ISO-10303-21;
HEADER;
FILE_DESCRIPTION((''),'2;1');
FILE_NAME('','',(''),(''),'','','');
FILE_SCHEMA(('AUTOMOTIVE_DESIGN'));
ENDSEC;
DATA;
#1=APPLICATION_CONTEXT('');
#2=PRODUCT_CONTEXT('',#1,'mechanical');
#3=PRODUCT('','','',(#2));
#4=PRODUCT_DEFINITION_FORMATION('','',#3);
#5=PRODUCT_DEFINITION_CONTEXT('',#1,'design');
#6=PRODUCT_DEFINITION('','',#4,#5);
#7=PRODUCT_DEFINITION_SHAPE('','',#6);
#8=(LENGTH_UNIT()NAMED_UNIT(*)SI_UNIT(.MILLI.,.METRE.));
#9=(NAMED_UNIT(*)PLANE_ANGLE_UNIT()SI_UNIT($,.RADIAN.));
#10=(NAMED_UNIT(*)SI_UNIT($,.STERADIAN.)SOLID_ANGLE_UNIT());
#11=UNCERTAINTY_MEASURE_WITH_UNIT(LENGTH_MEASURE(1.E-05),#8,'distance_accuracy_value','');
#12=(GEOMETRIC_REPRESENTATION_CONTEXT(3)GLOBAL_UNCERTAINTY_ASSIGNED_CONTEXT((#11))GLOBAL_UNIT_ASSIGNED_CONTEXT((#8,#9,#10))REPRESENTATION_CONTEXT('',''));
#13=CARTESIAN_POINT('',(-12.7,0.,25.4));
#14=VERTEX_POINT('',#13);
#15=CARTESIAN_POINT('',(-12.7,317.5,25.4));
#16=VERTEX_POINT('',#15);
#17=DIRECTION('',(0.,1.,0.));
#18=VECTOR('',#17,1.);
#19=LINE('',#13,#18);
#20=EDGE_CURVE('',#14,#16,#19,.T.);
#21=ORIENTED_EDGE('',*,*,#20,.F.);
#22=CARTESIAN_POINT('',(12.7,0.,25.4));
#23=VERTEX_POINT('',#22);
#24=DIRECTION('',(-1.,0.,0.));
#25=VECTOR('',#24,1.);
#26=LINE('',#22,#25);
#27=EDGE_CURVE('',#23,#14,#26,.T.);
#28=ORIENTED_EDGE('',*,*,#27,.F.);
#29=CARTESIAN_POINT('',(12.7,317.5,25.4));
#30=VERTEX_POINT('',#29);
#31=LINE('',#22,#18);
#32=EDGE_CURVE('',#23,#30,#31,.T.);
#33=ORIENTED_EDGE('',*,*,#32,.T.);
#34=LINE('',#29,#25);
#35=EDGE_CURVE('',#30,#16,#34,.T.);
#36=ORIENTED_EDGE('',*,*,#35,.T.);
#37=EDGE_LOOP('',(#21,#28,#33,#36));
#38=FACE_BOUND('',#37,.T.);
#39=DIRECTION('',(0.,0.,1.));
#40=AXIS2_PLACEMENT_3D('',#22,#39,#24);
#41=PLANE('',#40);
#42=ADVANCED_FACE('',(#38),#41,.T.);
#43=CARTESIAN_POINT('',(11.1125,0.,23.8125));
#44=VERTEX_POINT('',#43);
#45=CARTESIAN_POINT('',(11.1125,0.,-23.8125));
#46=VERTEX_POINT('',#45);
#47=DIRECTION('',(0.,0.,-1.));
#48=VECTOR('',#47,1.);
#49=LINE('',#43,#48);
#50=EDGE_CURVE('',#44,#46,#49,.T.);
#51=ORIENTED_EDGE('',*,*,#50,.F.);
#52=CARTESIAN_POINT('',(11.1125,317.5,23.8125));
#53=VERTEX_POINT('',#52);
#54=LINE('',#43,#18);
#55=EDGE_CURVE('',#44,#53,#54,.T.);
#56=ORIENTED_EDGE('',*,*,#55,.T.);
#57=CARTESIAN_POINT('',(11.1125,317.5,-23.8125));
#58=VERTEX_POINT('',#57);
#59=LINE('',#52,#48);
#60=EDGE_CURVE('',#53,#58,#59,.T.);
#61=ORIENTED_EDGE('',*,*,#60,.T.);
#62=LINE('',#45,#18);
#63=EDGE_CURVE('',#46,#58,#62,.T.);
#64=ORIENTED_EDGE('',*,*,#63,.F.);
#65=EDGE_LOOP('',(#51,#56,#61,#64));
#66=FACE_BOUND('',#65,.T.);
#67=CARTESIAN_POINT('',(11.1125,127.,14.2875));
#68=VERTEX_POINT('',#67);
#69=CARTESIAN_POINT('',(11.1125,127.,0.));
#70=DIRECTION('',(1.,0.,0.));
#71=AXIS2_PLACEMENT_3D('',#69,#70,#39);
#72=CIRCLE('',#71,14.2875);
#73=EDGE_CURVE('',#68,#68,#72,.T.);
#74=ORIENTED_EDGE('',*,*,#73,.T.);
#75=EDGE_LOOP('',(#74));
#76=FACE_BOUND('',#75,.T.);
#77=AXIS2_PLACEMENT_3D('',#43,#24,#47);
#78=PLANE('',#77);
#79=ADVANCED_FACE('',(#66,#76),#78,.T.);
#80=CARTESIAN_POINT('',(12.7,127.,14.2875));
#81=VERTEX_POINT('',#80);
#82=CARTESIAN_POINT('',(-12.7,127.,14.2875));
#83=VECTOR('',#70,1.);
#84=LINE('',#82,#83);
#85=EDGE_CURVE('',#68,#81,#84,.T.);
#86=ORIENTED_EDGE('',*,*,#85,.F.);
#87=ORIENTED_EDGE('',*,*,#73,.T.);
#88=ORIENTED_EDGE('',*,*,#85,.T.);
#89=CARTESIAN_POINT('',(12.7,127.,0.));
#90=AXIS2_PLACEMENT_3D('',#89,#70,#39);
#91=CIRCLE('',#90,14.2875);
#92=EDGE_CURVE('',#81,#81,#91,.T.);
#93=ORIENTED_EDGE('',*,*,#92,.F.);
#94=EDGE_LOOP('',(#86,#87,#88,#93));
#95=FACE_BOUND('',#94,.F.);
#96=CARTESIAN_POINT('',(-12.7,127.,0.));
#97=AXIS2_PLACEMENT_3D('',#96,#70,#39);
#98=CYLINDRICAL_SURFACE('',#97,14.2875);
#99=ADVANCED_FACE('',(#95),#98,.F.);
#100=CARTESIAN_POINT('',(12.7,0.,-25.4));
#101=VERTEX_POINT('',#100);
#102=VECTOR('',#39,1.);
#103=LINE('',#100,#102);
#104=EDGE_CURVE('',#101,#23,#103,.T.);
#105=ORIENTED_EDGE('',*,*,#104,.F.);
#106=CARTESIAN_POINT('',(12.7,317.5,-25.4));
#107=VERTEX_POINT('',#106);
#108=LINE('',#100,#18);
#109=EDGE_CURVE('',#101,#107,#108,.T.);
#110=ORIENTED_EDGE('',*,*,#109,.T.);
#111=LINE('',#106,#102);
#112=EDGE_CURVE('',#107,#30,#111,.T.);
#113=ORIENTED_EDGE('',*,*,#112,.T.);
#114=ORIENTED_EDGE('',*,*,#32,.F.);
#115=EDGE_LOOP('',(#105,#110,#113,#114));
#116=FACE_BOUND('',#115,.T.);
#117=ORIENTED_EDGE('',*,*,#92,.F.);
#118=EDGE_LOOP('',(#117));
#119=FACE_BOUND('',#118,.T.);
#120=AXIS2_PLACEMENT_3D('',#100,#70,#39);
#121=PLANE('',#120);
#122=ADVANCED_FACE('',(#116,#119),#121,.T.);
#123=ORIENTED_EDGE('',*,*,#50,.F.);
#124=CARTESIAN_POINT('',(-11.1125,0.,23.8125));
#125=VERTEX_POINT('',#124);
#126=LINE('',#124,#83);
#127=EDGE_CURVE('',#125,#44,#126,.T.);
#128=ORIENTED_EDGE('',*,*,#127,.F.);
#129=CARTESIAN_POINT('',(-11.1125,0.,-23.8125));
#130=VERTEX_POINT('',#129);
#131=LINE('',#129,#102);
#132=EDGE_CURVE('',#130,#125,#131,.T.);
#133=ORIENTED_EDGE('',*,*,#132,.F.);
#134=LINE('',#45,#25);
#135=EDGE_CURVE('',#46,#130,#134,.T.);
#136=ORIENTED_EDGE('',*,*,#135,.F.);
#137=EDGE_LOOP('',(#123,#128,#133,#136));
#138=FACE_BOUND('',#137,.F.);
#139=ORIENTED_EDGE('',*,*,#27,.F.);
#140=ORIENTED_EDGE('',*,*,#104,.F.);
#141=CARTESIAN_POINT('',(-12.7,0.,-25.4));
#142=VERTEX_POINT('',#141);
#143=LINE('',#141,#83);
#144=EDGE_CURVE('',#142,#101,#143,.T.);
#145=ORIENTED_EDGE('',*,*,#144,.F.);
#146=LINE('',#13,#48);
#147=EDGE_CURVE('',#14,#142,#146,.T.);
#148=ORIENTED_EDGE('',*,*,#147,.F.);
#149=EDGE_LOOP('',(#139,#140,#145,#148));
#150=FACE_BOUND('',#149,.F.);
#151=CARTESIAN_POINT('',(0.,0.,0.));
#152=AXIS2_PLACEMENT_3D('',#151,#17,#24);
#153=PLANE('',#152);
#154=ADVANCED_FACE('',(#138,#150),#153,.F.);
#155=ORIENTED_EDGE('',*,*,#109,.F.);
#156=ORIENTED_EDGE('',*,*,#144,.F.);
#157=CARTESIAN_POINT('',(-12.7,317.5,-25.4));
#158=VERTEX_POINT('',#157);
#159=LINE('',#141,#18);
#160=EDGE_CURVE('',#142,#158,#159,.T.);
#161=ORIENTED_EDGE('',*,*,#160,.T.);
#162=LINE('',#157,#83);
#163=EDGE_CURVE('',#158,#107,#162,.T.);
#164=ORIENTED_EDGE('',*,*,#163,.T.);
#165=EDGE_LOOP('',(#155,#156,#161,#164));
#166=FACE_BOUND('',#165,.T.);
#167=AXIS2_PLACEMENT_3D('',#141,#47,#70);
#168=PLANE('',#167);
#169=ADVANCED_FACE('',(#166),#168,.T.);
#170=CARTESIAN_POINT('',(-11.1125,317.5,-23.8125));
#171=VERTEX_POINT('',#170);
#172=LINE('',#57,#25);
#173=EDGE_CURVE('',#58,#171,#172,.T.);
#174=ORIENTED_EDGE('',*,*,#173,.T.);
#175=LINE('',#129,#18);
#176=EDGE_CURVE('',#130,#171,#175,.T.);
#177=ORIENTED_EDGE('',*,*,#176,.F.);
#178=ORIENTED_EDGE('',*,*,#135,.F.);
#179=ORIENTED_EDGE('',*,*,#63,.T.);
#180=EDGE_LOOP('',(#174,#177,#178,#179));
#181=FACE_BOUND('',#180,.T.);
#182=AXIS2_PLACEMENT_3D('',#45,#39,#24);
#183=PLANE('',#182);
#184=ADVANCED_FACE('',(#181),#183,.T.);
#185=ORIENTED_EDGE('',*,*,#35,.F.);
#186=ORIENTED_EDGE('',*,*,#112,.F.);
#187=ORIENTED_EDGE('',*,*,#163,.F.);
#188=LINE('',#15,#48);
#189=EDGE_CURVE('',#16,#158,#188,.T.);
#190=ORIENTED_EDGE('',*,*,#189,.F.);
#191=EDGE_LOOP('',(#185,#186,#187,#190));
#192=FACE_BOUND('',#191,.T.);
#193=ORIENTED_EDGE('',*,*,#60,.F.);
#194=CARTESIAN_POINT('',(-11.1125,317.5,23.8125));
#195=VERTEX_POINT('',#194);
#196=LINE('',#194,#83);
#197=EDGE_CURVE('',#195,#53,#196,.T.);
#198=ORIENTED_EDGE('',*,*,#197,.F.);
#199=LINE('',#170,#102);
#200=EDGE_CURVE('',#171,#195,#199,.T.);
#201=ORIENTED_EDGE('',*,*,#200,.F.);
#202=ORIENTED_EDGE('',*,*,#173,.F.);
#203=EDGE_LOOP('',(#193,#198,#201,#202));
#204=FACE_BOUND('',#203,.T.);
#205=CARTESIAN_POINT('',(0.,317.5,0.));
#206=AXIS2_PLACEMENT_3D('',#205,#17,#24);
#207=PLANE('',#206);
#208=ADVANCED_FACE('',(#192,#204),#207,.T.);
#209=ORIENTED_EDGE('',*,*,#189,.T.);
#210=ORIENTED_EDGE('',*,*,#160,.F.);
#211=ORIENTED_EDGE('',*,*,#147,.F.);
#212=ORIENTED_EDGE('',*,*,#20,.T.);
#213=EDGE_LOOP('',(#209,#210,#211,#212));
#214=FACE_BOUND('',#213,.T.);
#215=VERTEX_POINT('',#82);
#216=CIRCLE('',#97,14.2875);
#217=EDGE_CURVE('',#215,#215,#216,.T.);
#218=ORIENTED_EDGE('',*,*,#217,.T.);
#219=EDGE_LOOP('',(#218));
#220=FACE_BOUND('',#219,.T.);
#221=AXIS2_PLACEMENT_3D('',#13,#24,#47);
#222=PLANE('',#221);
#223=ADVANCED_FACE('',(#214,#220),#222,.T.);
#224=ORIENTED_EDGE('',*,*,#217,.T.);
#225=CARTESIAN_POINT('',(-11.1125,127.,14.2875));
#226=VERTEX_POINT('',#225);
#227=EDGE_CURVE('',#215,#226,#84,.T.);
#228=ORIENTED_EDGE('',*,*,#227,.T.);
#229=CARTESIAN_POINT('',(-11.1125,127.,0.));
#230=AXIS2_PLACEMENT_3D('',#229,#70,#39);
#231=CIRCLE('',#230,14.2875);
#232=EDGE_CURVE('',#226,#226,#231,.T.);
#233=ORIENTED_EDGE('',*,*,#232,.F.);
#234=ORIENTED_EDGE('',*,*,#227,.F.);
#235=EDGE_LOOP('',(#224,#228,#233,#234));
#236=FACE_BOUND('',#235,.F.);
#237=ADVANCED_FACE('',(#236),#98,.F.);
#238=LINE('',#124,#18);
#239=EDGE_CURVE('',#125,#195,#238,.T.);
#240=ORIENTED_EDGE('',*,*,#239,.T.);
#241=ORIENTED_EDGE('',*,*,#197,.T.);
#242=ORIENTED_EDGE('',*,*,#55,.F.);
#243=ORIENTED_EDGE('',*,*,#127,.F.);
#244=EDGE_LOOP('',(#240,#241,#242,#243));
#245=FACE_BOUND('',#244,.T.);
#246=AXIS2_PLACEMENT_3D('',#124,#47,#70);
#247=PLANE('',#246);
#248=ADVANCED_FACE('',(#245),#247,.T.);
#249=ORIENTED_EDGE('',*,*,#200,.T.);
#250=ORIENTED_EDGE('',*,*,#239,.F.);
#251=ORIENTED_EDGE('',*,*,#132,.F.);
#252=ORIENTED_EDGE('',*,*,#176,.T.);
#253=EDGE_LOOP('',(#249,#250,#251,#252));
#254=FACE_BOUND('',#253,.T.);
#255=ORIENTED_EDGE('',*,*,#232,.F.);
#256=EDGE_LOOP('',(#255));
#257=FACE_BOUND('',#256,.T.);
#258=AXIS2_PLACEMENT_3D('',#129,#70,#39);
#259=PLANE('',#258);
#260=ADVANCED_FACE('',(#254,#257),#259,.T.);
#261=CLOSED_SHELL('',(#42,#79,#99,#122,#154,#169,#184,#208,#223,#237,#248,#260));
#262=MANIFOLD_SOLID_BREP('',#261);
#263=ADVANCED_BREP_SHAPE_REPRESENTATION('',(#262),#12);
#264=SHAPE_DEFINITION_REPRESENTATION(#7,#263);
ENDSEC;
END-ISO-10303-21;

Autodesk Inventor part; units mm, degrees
ref_plane "YZ Plane" through (0, 0, 0) normal (1, 0, 0) x (0, 1, 0)
ref_plane "XZ Plane" through (0, 0, 0) normal (0, 1, 0) x (-1, 0, 0)
ref_plane "XY Plane" through (0, 0, 0) normal (0, 0, 1) x (1, 0, 0)
sketch "Sketch1" plane through (0, 0, 0) normal (0, 1, 0) x (-1, 0, 0)
  line L0 (-12.7, 25.4) -> (12.7, 25.4)
  line L1 (12.7, 25.4) -> (12.7, -25.4)
  line L2 (12.7, -25.4) -> (-12.7, -25.4)
  line L3 (-12.7, -25.4) -> (-12.7, 25.4)
  line L4 (-12.7, 25.4) -> (12.7, -25.4) construction
  line L5 (12.7, 25.4) -> (-12.7, -25.4) construction
  line L6 (11.1125, 23.8125) -> (-11.1125, 23.8125)
  line L7 (-11.1125, 23.8125) -> (-11.1125, -23.8125)
  line L8 (-11.1125, -23.8125) -> (11.1125, -23.8125)
  line L9 (11.1125, -23.8125) -> (11.1125, 23.8125)
  line L10 (11.1125, 23.8125) -> (-11.1125, -23.8125) construction
  line L11 (-11.1125, 23.8125) -> (11.1125, -23.8125) construction
  point P0 (0, 0)
  dimension "d0" = 25.4
  dimension "d1" = 50.8
  dimension "d2" = 22.225
  dimension "d3" = 47.625
extrude "Extrusion1" add sketch "Sketch1" along normal blind 317.5
sketch "Sketch2" plane through (-12.7, 0, -25.4) normal (-1, 0, 0) x (0, 0, 1)
  line L0 (50.8, 0) -> (50.8, 317.5) projected
  line L1 (0, 0) -> (50.8, 0) projected
  point P0 (25.4, 0)
  point P1 (25.4, 127)
  dimension "d13" = 25.4
  dimension "d14" = 127
hole "Hole1" at (-12.7, 127, 0) direction (1, 0, 0) diameter 28.575 end through all
properties part number "1x2 Frame" material "Aluminum 6061"
